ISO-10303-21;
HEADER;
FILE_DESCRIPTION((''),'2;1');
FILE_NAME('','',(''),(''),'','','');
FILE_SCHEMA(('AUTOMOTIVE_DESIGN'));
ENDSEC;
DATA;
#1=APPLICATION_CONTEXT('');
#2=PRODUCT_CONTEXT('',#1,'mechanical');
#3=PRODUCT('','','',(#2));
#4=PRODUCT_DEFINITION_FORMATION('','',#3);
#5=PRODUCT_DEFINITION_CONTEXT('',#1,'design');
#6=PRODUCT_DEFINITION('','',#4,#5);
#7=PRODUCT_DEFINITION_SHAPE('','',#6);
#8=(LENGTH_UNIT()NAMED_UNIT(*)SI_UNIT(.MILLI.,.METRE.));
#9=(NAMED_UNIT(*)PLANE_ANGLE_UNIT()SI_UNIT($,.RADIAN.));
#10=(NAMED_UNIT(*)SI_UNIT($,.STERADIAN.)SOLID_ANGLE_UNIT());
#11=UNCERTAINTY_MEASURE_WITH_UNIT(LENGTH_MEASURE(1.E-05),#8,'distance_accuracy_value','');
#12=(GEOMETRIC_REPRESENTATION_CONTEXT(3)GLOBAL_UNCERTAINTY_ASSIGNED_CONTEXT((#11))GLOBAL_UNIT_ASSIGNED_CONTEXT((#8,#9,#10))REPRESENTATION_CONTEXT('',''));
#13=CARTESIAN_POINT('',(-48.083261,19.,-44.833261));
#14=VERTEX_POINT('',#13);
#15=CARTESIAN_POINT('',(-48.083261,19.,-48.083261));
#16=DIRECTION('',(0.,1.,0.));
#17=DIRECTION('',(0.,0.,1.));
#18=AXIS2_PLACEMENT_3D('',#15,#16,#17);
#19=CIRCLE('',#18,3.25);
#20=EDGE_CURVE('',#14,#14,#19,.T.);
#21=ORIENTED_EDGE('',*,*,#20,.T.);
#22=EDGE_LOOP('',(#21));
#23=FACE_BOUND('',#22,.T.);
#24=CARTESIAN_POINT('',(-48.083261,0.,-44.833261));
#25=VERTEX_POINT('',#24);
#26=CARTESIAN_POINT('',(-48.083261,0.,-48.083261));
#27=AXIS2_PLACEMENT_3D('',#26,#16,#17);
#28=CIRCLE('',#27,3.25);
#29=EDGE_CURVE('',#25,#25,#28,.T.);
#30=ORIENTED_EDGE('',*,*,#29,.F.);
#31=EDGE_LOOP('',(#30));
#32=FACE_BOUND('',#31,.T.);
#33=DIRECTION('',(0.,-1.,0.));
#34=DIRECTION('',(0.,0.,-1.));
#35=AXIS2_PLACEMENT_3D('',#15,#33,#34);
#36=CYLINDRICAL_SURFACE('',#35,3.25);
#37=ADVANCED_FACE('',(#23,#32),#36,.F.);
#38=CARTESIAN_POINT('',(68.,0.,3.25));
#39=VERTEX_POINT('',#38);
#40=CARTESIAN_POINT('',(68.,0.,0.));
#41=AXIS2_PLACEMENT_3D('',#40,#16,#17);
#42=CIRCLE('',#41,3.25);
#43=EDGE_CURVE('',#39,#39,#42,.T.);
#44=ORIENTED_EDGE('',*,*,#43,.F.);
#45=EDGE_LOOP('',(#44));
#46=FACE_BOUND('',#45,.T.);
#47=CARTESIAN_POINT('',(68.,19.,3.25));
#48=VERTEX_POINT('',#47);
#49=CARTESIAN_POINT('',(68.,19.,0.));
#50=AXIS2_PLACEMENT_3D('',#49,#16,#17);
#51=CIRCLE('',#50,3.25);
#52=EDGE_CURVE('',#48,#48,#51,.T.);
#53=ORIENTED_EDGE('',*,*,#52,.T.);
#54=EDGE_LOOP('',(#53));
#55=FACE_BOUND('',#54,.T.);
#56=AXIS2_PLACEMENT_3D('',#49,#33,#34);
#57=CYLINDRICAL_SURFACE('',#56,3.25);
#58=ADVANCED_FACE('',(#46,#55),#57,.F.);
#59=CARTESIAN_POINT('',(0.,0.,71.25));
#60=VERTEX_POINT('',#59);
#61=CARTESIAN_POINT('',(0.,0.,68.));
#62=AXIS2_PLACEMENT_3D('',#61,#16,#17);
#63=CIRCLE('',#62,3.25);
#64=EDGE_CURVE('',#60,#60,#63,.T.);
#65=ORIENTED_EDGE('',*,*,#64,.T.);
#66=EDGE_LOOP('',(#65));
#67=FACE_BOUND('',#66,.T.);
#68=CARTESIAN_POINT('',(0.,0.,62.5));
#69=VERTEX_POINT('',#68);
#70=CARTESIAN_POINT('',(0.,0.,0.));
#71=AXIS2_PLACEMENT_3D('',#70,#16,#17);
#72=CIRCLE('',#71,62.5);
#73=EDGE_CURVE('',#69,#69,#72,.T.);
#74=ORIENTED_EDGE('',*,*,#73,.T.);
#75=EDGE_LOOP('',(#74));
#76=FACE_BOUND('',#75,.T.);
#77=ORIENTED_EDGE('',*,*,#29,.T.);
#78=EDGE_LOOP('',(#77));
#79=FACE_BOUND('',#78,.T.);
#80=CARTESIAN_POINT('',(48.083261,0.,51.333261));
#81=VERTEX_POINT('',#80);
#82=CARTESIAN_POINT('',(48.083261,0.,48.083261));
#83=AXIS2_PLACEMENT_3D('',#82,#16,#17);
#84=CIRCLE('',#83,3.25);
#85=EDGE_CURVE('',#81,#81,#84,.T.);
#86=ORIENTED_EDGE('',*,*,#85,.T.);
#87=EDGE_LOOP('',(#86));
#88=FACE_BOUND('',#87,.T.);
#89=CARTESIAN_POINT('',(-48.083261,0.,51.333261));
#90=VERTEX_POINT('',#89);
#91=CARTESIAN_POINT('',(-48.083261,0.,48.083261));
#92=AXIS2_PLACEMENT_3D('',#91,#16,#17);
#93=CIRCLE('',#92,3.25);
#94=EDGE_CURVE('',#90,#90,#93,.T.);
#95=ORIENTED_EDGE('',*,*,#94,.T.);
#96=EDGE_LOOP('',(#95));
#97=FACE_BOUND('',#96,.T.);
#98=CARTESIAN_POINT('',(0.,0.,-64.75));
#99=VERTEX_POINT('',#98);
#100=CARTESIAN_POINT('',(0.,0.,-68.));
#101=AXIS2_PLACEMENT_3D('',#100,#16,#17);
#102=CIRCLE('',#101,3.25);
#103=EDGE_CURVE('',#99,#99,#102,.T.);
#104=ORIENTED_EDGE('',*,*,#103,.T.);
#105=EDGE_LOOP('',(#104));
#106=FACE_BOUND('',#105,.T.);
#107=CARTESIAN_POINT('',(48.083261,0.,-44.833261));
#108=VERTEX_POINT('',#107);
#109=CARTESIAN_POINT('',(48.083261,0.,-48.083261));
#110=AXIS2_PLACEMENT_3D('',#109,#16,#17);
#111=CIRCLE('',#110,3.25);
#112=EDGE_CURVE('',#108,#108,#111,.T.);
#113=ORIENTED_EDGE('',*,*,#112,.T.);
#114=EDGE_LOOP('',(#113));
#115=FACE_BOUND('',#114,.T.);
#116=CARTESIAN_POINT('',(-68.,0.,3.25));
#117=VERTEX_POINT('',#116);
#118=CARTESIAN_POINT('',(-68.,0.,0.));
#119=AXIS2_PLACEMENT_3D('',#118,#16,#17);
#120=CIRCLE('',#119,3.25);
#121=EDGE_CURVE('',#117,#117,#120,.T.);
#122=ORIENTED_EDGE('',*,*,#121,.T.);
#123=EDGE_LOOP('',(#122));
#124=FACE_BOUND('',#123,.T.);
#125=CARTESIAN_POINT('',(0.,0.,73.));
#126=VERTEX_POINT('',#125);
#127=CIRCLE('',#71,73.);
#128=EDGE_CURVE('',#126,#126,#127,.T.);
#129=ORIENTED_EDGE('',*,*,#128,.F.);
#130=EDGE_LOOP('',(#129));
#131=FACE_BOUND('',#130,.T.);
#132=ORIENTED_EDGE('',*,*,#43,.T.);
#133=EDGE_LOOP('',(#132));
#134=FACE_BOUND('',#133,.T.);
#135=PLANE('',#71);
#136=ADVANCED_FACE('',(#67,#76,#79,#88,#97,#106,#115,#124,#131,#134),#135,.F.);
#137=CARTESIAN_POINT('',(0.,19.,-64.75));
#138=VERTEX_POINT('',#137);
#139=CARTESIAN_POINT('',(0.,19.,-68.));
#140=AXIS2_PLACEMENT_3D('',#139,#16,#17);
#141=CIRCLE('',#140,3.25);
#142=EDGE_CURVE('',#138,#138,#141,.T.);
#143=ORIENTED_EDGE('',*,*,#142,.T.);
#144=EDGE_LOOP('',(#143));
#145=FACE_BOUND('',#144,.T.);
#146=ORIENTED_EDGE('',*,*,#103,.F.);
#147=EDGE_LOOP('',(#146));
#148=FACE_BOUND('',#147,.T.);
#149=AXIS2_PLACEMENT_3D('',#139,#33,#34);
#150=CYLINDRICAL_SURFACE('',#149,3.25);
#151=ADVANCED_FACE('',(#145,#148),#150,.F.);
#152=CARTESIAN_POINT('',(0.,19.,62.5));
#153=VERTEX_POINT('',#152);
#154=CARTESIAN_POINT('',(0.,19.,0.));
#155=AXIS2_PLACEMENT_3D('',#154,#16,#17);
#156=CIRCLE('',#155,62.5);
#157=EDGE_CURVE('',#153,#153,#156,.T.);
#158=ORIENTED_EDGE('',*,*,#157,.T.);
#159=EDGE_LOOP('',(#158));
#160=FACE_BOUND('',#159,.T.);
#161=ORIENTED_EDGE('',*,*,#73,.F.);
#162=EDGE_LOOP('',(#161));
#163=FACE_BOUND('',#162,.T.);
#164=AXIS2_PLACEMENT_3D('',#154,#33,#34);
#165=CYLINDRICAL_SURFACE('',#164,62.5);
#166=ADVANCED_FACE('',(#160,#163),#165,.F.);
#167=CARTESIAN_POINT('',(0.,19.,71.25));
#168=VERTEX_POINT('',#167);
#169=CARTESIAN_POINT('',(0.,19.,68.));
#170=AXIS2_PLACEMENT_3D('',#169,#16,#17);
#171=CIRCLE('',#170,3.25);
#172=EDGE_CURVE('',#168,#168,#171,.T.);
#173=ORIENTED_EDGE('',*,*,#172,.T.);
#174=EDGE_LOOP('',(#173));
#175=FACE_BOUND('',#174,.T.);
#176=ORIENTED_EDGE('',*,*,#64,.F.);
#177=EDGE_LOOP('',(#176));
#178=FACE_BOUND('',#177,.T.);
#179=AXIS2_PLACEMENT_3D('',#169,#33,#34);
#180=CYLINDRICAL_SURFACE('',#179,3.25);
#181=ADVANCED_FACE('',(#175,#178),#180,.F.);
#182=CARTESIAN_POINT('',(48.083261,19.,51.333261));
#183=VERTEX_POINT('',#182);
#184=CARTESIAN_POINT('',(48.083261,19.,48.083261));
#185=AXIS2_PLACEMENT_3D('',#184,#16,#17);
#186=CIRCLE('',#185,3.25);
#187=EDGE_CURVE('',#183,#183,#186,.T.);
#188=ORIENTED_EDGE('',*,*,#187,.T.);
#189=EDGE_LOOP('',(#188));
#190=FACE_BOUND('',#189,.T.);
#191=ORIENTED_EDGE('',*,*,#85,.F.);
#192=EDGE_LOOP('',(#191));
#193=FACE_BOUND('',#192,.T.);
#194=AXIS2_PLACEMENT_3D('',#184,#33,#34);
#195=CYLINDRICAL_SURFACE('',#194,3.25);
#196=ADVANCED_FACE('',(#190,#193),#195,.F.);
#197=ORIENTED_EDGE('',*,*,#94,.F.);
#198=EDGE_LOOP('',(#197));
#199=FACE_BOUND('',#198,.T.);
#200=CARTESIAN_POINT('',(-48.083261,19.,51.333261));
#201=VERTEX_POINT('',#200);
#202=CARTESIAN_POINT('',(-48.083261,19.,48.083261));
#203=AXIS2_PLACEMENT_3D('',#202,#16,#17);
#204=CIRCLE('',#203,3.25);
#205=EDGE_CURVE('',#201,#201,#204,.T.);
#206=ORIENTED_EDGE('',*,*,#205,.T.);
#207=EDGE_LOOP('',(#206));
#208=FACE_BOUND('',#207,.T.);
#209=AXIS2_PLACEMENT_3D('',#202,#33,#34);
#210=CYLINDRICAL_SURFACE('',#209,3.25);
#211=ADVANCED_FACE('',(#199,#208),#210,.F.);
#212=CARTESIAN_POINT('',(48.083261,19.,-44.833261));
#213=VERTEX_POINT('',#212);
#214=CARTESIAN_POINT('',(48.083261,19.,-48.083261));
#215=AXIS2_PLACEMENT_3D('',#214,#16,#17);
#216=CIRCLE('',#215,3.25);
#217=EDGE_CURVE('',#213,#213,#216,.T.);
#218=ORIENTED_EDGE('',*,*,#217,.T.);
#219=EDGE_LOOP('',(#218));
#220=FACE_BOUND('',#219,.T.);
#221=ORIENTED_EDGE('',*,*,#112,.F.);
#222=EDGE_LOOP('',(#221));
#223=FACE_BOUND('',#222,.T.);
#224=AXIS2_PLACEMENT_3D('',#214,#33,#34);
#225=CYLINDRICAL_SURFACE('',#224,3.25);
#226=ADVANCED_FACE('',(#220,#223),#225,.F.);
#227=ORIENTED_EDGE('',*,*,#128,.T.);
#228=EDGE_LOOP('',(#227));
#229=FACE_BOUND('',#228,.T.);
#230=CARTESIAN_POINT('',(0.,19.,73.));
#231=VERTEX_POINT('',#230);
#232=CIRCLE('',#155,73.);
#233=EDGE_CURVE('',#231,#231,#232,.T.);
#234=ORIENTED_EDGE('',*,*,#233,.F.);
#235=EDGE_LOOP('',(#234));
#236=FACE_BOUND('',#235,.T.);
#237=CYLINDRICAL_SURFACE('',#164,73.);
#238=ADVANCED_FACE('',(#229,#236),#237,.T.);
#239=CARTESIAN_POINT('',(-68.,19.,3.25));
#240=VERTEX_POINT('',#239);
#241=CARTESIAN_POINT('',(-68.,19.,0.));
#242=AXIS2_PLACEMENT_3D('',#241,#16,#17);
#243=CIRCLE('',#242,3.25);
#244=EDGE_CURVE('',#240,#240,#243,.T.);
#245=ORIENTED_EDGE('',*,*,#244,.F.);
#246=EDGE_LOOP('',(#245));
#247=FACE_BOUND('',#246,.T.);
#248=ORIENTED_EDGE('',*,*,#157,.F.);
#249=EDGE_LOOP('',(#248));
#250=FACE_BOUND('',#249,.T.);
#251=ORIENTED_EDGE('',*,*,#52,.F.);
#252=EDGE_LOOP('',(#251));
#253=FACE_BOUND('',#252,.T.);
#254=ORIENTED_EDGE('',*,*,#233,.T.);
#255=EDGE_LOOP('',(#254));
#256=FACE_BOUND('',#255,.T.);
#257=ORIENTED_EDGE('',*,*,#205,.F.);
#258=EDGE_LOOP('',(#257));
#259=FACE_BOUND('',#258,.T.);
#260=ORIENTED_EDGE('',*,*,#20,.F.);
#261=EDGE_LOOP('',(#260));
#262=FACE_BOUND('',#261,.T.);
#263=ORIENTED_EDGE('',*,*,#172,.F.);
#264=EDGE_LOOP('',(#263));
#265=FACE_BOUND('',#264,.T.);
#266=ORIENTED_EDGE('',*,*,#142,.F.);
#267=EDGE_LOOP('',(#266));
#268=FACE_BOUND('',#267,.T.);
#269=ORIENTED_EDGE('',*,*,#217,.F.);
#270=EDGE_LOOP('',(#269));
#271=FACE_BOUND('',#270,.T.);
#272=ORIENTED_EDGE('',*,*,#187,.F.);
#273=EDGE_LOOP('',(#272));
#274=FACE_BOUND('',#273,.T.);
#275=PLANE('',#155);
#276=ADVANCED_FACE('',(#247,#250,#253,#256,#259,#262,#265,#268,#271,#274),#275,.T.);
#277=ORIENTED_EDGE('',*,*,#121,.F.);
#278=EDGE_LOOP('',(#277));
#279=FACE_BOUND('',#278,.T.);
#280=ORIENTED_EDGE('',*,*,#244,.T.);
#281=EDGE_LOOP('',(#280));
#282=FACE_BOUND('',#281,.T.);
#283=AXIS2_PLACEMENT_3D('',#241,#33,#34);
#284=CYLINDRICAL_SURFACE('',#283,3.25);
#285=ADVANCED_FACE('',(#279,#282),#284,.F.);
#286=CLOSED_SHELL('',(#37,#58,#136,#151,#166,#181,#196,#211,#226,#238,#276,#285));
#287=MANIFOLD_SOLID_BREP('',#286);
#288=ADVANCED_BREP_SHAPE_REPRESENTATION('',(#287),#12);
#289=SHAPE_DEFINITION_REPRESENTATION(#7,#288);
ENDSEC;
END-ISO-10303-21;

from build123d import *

# Parameters (mm, degrees)
SKETCH1_R           = 73
SKETCH1_R_2         = 62.5
SKETCH1_R_3         = 3.25
BOSS_EXTRUDE1_DEPTH = 19


with BuildPart() as part:
    # Sketch1 → Boss-Extrude1 (new body)
    with BuildSketch(Plane(origin=(0, 0, 0), x_dir=(1, 0, 0), z_dir=(0, 1, 0))):
        Circle(SKETCH1_R)
        Circle(SKETCH1_R_2, mode=Mode.SUBTRACT)
        with Locations((-48.083261121, 48.083261121)):
            Circle(SKETCH1_R_3, mode=Mode.SUBTRACT)
        with Locations((-68, 0)):
            Circle(SKETCH1_R_3, mode=Mode.SUBTRACT)
        with Locations((0, 68)):
            Circle(SKETCH1_R_3, mode=Mode.SUBTRACT)
        with Locations((48.083261121, 48.083261121)):
            Circle(SKETCH1_R_3, mode=Mode.SUBTRACT)
        with Locations((68, 0)):
            Circle(SKETCH1_R_3, mode=Mode.SUBTRACT)
        with Locations((48.083261121, -48.083261121)):
            Circle(SKETCH1_R_3, mode=Mode.SUBTRACT)
        with Locations((0, -68)):
            Circle(SKETCH1_R_3, mode=Mode.SUBTRACT)
        with Locations((-48.083261121, -48.083261121)):
            Circle(SKETCH1_R_3, mode=Mode.SUBTRACT)
    extrude(amount=BOSS_EXTRUDE1_DEPTH)


solid = part.part
